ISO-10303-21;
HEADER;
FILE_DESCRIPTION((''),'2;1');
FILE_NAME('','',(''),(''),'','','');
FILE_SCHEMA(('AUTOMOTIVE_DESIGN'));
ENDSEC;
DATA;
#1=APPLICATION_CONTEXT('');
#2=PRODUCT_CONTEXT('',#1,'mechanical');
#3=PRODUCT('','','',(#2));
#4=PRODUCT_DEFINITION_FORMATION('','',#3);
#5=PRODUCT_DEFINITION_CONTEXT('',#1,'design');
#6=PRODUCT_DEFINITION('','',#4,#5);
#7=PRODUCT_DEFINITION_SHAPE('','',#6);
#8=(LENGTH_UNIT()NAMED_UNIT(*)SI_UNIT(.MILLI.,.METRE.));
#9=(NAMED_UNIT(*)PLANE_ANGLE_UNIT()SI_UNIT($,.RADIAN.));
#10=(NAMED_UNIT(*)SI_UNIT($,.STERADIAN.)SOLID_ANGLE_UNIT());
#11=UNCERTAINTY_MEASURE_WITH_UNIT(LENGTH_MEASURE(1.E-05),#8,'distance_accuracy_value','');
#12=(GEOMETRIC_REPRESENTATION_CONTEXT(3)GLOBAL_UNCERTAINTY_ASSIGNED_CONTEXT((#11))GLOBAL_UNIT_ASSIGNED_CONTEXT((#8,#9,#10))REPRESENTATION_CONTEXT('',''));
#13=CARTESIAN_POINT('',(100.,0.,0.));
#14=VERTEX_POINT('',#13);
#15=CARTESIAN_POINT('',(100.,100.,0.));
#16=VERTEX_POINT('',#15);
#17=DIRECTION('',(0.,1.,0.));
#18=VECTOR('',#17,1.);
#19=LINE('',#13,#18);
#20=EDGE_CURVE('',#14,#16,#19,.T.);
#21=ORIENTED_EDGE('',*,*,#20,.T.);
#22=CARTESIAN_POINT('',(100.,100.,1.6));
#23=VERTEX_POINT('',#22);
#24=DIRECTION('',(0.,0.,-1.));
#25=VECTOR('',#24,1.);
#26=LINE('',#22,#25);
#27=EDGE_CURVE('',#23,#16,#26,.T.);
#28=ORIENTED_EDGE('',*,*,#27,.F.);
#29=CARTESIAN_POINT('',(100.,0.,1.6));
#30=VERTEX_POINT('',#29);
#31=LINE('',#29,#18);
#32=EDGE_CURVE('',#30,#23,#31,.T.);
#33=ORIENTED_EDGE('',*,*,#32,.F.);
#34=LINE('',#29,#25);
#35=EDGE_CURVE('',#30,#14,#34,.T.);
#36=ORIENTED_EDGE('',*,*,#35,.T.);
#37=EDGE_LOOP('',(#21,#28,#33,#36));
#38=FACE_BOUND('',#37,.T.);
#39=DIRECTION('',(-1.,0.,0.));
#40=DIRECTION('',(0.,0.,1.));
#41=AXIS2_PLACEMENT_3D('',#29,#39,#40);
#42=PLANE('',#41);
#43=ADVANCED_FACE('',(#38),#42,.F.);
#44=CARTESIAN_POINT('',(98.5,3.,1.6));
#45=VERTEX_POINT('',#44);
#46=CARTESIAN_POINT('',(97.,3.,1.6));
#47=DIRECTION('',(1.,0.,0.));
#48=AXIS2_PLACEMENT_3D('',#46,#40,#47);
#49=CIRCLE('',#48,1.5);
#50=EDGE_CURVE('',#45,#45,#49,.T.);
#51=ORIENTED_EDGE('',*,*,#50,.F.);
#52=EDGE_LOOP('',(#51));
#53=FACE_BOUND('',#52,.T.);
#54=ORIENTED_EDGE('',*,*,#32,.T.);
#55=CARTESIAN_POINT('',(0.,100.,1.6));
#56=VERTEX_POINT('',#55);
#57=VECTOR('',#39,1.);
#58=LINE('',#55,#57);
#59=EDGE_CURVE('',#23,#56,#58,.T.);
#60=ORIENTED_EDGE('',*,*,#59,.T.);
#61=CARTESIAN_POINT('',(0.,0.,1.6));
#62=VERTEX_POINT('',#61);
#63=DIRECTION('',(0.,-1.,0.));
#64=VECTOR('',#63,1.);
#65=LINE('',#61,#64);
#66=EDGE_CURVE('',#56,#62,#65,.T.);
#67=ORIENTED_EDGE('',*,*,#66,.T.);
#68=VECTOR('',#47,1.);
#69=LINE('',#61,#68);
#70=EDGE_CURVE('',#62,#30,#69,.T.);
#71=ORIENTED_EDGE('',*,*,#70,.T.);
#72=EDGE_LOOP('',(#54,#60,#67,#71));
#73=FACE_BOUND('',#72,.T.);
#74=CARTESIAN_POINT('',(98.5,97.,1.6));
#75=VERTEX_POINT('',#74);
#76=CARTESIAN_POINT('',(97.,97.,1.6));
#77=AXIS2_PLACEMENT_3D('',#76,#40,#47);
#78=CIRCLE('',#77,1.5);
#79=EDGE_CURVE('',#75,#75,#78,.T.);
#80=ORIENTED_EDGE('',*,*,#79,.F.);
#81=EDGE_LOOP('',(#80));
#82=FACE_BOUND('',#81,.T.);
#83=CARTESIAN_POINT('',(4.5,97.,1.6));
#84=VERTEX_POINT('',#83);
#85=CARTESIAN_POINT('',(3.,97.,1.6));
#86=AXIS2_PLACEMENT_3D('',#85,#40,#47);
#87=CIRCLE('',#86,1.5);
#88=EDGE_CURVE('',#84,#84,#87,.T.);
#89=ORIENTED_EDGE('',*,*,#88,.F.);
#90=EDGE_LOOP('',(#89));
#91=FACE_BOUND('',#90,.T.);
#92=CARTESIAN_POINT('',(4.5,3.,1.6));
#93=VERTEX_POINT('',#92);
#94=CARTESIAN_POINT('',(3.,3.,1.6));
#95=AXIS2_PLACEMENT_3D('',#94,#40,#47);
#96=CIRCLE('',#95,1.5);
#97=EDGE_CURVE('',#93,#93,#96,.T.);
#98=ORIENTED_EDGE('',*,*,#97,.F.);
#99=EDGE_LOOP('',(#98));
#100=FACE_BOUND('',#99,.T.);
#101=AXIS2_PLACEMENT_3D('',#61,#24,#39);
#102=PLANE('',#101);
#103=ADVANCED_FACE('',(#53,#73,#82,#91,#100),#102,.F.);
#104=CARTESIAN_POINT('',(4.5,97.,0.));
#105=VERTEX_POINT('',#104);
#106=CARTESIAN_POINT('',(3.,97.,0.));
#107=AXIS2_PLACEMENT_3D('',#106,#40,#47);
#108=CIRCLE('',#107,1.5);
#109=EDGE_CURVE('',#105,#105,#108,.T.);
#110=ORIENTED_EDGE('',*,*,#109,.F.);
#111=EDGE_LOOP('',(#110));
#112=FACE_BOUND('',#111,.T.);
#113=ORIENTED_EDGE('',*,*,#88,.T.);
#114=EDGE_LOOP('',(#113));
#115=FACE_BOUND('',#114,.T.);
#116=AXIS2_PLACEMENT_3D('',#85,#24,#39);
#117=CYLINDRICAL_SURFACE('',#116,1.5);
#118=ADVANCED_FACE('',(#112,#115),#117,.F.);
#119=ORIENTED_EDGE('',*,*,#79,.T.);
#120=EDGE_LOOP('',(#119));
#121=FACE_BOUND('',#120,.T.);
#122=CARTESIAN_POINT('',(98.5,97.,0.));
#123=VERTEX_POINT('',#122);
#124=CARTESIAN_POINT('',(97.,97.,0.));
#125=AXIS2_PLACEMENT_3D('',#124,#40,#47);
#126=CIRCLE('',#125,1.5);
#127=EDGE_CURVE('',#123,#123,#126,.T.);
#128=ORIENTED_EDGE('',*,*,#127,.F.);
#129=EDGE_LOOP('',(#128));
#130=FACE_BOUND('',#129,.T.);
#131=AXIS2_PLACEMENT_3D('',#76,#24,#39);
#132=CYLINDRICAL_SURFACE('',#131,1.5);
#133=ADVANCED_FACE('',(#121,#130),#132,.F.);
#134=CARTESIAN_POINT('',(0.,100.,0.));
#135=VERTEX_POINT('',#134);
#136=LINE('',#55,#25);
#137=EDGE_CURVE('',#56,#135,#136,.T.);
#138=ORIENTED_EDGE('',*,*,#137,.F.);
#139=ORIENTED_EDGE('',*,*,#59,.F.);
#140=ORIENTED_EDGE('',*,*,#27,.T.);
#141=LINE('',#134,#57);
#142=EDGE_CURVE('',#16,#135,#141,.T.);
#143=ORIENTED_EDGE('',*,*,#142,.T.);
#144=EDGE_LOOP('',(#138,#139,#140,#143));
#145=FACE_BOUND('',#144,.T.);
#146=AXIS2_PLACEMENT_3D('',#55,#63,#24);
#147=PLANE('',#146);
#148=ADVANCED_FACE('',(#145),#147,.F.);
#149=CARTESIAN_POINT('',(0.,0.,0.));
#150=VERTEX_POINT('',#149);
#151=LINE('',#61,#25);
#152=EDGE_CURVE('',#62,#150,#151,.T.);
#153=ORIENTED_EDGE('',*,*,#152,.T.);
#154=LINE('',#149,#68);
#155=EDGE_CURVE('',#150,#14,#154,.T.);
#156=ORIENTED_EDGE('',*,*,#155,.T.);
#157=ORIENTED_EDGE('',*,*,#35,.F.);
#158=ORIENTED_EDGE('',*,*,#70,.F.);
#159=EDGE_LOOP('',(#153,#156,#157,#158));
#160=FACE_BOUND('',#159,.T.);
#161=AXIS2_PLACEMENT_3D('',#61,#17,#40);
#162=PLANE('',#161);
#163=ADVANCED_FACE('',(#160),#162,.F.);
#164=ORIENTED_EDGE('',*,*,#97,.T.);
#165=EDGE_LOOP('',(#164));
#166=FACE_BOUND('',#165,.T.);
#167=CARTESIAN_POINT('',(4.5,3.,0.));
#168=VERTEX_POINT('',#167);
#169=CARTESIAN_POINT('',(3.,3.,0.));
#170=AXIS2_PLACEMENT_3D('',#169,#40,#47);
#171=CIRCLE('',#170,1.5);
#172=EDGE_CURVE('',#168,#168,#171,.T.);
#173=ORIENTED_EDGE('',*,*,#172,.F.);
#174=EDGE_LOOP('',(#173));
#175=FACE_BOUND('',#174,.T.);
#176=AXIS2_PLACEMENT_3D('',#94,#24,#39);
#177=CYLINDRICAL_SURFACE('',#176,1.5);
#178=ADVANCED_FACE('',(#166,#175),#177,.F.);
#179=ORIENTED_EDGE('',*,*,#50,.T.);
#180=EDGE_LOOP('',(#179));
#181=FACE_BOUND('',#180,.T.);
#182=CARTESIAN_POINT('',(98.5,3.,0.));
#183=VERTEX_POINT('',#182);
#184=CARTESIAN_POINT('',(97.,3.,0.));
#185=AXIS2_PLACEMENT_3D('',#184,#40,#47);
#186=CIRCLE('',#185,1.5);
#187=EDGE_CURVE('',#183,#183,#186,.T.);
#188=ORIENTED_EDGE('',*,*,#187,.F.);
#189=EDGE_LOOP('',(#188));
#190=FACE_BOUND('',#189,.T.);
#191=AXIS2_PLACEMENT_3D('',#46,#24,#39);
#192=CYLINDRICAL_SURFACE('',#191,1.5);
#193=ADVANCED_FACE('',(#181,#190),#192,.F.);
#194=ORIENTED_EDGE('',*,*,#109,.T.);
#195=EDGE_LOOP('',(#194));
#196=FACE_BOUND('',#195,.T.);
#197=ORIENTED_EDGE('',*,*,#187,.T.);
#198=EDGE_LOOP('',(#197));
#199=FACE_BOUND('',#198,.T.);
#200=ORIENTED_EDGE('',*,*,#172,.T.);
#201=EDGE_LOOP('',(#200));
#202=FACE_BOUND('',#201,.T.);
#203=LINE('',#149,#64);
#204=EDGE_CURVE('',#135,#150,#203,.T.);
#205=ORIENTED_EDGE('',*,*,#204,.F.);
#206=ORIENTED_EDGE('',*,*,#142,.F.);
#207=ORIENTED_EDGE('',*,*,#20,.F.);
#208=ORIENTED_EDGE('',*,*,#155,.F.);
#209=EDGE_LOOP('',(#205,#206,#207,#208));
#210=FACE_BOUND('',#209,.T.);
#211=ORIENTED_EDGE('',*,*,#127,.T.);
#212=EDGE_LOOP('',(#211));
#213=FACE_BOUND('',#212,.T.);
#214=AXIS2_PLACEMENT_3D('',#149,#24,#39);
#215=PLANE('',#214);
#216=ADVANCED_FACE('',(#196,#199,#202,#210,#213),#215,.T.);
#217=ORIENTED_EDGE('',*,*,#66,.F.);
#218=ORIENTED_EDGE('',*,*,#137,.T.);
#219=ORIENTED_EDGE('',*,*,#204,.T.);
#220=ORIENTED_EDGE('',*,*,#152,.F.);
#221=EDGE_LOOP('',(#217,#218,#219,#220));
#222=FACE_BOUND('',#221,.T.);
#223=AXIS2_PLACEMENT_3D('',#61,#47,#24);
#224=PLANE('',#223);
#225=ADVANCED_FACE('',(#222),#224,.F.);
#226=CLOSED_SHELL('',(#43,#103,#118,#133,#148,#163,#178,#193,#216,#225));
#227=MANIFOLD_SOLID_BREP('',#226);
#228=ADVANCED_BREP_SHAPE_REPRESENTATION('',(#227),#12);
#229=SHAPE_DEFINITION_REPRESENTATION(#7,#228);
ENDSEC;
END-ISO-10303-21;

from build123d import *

# Parameters (mm, degrees)
SKETCH_1_W      = 100
SKETCH_1_H      = 100
SKETCH_1_R      = 1.5
EXTRUDE_1_DEPTH = 1.6


with BuildPart() as part:
    # 草图1 → 凸台-拉伸1 (new body)
    with BuildSketch(Plane.XY):
        with Locations((50, 50)):
            Rectangle(SKETCH_1_W, SKETCH_1_H)
        with Locations((3, 3)):
            Circle(SKETCH_1_R, mode=Mode.SUBTRACT)
        with Locations((97, 3)):
            Circle(SKETCH_1_R, mode=Mode.SUBTRACT)
        with Locations((97, 97)):
            Circle(SKETCH_1_R, mode=Mode.SUBTRACT)
        with Locations((3, 97)):
            Circle(SKETCH_1_R, mode=Mode.SUBTRACT)
    extrude(amount=EXTRUDE_1_DEPTH)


solid = part.part
